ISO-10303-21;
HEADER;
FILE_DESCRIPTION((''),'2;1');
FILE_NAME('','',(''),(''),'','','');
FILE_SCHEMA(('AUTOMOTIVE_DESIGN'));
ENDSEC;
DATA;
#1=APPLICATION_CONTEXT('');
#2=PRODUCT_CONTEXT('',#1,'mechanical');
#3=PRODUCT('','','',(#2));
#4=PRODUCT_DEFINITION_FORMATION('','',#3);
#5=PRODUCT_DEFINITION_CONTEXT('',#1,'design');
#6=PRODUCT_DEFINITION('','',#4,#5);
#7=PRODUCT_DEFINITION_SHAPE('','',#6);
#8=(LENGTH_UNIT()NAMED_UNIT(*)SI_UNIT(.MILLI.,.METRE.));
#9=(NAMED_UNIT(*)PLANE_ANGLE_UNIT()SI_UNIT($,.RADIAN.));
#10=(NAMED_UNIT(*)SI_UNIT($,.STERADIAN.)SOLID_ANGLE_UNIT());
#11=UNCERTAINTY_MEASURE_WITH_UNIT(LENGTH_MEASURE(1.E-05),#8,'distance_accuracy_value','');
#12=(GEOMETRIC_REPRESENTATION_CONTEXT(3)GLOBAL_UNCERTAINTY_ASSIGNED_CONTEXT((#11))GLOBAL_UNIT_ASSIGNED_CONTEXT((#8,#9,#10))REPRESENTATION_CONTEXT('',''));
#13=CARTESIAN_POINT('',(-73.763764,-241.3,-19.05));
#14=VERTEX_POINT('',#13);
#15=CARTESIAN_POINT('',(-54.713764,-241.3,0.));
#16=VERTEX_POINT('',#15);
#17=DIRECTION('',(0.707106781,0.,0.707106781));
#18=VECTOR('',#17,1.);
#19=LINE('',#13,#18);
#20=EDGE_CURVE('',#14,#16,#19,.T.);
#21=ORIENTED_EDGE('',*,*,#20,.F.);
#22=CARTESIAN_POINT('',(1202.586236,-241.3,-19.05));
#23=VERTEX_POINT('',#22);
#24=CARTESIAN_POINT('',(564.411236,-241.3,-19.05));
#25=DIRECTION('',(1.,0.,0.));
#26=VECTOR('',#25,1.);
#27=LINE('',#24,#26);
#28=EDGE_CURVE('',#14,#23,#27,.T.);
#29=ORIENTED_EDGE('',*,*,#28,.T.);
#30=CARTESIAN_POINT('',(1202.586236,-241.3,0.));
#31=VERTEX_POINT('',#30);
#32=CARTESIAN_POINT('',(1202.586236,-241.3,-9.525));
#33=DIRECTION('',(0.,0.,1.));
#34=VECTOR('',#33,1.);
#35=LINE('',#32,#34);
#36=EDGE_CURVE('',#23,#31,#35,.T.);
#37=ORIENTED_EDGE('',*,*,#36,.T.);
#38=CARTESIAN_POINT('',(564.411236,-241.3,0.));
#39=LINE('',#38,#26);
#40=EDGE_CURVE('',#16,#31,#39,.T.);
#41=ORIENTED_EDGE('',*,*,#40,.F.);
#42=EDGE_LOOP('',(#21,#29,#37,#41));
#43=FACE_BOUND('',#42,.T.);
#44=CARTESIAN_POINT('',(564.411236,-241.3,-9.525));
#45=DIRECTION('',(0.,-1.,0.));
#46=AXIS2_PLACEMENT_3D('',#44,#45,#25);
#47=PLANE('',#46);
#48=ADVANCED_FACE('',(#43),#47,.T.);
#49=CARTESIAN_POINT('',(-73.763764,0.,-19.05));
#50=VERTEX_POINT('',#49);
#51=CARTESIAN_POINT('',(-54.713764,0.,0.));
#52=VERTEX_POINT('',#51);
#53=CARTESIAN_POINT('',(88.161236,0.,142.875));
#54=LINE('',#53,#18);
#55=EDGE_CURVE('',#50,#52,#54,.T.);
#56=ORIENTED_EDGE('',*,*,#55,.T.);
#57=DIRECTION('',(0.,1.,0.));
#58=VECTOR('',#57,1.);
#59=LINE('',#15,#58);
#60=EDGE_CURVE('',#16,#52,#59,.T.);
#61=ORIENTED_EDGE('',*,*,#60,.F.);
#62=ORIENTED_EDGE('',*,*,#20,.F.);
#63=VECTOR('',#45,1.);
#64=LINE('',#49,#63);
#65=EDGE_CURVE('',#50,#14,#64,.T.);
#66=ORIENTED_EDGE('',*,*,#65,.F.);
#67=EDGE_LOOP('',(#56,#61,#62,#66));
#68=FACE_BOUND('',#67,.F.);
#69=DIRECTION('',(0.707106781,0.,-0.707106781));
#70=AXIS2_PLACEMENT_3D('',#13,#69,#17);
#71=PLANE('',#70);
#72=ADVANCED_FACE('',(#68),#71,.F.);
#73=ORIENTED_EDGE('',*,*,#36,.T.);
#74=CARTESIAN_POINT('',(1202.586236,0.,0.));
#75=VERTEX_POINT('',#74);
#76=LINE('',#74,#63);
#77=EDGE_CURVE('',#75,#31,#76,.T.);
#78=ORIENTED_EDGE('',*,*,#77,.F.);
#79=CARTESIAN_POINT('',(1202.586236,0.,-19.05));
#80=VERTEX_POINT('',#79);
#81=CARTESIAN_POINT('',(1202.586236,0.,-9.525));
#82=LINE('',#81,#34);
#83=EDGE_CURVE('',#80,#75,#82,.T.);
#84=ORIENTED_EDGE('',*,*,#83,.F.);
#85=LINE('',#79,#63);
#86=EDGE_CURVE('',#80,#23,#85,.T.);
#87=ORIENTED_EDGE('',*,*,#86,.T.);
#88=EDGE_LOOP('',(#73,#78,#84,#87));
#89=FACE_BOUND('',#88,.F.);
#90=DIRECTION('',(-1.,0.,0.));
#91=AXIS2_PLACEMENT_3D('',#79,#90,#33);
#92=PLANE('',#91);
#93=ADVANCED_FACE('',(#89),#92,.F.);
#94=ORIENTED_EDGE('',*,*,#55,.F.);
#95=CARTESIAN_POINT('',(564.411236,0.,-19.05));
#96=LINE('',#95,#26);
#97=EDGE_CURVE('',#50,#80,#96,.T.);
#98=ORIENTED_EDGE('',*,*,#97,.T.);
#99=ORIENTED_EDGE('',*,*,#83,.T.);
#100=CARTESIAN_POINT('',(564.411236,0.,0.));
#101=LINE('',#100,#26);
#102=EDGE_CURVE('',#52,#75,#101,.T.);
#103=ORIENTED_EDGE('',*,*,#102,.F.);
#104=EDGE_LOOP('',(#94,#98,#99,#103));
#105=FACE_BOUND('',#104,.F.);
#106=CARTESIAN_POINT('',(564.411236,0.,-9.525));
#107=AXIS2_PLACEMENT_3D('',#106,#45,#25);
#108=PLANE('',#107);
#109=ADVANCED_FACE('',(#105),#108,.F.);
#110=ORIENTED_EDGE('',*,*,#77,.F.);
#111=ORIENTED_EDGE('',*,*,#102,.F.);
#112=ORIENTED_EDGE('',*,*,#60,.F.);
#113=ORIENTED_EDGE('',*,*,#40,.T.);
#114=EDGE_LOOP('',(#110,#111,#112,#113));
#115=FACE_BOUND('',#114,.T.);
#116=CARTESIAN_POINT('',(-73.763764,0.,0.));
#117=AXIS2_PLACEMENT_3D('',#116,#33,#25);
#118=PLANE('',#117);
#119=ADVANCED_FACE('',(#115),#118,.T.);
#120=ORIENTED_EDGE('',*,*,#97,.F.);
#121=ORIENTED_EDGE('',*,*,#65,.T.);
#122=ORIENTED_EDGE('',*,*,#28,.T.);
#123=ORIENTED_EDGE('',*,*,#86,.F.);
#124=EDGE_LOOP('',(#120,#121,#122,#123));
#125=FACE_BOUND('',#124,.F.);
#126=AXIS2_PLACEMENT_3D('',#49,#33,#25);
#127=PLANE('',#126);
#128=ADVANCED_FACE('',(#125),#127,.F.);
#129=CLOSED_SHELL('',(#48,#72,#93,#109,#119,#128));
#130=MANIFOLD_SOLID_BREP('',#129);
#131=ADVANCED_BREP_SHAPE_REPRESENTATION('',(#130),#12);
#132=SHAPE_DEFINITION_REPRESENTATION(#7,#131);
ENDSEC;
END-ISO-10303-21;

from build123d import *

# Parameters (mm, degrees)
F0_W     = 1276.35
F0_H     = 19.05
F1_DEPTH = 241.3
F5_DEPTH = 241.301


with BuildPart() as f1:
    # F0 (on Front) → F1 (new body)
    with BuildSketch(Plane.XZ):
        with Locations((564.411236, -9.525)):
            Rectangle(F0_W, F0_H)
    extrude(amount=F1_DEPTH)

    # F4 (on face) → F5 (cut, through all)
    with BuildSketch(Plane.XZ.offset(241.3)):
        Polygon((-73.763764, 0), (-73.763764, -19.05), (-54.713764, 0), align=None)
    extrude(amount=-F5_DEPTH, mode=Mode.SUBTRACT)


with BuildPart() as f2_1:
    # F2: copy of F1
    add(f1.part.moved(Location((0, 0, 381))))


solid = f1.part
